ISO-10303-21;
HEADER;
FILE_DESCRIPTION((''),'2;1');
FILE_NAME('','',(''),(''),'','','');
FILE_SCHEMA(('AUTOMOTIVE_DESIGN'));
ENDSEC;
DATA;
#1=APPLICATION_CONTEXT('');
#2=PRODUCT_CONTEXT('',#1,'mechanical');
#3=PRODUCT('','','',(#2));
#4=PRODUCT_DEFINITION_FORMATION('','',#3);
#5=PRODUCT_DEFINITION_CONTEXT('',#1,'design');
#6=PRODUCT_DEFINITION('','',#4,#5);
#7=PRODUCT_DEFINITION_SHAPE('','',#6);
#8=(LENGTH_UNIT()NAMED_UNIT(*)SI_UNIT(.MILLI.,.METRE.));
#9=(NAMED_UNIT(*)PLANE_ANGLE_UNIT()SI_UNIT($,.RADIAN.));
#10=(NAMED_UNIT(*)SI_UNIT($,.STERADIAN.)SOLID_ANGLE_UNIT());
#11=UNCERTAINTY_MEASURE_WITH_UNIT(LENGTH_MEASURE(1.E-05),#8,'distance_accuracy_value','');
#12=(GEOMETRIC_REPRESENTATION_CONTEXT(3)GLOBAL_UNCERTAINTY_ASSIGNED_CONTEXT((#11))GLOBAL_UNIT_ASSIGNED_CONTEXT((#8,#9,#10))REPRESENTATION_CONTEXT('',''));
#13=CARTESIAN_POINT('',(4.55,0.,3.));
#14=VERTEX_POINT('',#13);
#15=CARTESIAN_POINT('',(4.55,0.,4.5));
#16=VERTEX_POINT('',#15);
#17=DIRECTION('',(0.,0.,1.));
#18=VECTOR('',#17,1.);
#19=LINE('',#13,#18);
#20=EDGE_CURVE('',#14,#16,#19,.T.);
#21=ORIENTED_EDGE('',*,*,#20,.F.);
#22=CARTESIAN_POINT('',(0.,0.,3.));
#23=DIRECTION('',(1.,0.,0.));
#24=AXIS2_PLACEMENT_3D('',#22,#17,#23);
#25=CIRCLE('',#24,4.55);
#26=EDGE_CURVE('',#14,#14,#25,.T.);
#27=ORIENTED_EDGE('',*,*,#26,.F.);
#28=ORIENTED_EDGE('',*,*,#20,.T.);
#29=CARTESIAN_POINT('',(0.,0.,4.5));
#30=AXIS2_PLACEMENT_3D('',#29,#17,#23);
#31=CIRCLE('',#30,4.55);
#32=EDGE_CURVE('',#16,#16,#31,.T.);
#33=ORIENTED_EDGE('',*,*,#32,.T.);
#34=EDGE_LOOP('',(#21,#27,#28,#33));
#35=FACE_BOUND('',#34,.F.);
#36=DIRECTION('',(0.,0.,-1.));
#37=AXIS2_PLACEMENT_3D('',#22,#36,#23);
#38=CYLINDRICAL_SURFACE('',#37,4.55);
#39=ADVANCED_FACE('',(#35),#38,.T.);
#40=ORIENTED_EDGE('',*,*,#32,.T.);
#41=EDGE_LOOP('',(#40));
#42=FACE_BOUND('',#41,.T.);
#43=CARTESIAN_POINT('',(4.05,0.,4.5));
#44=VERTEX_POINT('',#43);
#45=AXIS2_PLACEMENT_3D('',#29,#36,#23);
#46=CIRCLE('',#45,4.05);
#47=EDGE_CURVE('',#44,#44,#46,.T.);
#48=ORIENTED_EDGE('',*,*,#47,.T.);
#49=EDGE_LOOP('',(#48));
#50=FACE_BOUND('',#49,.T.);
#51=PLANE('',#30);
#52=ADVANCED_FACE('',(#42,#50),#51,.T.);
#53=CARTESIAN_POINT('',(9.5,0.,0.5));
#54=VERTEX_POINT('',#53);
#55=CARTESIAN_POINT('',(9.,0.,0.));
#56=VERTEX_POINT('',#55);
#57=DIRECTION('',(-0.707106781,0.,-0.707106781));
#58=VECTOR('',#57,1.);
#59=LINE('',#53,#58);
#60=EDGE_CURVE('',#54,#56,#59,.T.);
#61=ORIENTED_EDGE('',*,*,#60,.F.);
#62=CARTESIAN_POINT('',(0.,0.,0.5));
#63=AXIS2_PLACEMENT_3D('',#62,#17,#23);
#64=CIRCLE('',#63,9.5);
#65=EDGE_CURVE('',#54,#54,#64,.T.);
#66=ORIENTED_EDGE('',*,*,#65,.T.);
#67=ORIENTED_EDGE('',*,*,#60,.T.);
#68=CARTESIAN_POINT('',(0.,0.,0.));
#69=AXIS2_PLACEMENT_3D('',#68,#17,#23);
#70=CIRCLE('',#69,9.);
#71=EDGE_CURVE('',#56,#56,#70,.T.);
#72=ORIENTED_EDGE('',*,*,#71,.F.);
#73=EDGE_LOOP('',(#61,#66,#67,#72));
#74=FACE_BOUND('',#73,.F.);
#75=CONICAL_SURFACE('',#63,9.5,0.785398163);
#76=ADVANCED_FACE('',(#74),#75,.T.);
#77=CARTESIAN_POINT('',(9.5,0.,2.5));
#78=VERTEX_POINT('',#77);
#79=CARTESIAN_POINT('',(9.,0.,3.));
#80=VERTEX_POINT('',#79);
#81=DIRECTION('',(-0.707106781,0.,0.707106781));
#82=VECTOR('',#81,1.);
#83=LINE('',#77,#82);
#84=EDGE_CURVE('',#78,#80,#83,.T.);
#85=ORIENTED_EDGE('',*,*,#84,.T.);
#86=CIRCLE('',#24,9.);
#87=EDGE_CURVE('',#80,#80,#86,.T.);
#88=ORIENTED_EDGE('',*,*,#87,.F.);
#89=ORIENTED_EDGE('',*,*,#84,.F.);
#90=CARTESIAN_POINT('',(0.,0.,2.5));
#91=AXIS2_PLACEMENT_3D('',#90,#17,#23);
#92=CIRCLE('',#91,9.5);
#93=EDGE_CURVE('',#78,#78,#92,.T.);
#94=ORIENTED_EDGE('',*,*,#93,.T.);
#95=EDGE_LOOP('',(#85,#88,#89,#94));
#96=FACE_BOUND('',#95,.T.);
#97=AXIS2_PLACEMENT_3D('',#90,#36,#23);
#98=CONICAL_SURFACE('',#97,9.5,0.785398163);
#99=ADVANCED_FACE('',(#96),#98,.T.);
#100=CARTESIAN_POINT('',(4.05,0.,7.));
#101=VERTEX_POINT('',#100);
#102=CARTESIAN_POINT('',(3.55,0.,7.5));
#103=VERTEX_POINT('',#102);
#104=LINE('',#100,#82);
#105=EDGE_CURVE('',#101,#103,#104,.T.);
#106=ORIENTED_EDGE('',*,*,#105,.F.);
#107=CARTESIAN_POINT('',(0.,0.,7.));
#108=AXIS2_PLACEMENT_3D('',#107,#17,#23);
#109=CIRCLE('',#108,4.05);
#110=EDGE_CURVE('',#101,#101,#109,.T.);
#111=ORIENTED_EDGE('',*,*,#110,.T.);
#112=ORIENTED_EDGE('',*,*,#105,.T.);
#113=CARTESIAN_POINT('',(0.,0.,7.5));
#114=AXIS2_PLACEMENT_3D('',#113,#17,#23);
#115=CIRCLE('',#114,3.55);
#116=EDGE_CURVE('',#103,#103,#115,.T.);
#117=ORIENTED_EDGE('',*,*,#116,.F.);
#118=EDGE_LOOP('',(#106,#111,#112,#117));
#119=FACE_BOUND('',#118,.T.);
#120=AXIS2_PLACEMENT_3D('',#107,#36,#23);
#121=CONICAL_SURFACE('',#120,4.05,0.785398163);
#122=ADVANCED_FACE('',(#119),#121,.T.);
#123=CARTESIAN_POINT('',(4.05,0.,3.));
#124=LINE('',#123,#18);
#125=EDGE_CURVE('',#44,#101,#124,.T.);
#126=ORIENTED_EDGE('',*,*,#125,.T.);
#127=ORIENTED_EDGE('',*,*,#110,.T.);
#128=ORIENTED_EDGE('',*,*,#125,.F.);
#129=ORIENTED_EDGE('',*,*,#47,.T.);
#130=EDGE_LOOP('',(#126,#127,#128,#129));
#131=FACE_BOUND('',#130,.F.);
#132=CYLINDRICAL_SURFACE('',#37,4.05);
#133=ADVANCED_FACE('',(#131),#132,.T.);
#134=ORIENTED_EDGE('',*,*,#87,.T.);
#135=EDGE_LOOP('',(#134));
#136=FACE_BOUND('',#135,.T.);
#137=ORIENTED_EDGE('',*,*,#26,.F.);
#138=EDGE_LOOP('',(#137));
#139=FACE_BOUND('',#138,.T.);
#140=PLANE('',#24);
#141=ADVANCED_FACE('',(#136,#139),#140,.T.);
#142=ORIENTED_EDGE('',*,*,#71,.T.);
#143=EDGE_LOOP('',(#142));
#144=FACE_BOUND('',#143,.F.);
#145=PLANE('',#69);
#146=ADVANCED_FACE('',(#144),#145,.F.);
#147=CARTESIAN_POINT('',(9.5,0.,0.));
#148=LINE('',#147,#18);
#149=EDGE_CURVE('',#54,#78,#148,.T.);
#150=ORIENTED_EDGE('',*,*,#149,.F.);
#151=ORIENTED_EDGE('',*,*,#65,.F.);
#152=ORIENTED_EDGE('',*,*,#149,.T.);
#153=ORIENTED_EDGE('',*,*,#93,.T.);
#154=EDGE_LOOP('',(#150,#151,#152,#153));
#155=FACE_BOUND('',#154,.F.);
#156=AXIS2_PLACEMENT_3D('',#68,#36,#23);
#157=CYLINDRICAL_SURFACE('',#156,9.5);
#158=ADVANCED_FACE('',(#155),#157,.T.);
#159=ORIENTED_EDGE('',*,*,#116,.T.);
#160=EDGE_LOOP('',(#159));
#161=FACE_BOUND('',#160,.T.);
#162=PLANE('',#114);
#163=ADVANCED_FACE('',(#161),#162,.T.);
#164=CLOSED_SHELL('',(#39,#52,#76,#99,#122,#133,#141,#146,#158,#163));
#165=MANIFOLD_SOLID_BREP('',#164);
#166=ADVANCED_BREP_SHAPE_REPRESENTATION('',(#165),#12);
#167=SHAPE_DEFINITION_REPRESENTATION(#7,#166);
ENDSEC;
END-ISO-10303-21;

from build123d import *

# Parameters (mm, degrees)
F0_R     = 9.5
F1_DEPTH = 3
F2_R     = 4.05
F3_DEPTH = 4.5
F4_SIZE  = 0.5
F5_R     = 4.55
F6_DEPTH = 1.5


with BuildPart() as f1:
    # F0 (on Top) → F1 (new body)
    with BuildSketch(Plane.XY):
        Circle(F0_R)
    extrude(amount=F1_DEPTH)

    # F2 (on face) → F3 (join)
    with BuildSketch(Plane.XY.offset(3)):
        Circle(F2_R)
    extrude(amount=F3_DEPTH)

    # F4
    f4_edges = [f1.edges().sort_by_distance(p)[0] for p in [
        (-4.05, 0, 7.5),
        (-9.5, 0, 3),
        (-9.5, 0, 0),
    ]]
    chamfer(f4_edges, length=F4_SIZE)

    # F5 (on face) → F6 (join)
    with BuildSketch(Plane.XY.offset(3)):
        Circle(F5_R)
    extrude(amount=F6_DEPTH)


solid = f1.part
